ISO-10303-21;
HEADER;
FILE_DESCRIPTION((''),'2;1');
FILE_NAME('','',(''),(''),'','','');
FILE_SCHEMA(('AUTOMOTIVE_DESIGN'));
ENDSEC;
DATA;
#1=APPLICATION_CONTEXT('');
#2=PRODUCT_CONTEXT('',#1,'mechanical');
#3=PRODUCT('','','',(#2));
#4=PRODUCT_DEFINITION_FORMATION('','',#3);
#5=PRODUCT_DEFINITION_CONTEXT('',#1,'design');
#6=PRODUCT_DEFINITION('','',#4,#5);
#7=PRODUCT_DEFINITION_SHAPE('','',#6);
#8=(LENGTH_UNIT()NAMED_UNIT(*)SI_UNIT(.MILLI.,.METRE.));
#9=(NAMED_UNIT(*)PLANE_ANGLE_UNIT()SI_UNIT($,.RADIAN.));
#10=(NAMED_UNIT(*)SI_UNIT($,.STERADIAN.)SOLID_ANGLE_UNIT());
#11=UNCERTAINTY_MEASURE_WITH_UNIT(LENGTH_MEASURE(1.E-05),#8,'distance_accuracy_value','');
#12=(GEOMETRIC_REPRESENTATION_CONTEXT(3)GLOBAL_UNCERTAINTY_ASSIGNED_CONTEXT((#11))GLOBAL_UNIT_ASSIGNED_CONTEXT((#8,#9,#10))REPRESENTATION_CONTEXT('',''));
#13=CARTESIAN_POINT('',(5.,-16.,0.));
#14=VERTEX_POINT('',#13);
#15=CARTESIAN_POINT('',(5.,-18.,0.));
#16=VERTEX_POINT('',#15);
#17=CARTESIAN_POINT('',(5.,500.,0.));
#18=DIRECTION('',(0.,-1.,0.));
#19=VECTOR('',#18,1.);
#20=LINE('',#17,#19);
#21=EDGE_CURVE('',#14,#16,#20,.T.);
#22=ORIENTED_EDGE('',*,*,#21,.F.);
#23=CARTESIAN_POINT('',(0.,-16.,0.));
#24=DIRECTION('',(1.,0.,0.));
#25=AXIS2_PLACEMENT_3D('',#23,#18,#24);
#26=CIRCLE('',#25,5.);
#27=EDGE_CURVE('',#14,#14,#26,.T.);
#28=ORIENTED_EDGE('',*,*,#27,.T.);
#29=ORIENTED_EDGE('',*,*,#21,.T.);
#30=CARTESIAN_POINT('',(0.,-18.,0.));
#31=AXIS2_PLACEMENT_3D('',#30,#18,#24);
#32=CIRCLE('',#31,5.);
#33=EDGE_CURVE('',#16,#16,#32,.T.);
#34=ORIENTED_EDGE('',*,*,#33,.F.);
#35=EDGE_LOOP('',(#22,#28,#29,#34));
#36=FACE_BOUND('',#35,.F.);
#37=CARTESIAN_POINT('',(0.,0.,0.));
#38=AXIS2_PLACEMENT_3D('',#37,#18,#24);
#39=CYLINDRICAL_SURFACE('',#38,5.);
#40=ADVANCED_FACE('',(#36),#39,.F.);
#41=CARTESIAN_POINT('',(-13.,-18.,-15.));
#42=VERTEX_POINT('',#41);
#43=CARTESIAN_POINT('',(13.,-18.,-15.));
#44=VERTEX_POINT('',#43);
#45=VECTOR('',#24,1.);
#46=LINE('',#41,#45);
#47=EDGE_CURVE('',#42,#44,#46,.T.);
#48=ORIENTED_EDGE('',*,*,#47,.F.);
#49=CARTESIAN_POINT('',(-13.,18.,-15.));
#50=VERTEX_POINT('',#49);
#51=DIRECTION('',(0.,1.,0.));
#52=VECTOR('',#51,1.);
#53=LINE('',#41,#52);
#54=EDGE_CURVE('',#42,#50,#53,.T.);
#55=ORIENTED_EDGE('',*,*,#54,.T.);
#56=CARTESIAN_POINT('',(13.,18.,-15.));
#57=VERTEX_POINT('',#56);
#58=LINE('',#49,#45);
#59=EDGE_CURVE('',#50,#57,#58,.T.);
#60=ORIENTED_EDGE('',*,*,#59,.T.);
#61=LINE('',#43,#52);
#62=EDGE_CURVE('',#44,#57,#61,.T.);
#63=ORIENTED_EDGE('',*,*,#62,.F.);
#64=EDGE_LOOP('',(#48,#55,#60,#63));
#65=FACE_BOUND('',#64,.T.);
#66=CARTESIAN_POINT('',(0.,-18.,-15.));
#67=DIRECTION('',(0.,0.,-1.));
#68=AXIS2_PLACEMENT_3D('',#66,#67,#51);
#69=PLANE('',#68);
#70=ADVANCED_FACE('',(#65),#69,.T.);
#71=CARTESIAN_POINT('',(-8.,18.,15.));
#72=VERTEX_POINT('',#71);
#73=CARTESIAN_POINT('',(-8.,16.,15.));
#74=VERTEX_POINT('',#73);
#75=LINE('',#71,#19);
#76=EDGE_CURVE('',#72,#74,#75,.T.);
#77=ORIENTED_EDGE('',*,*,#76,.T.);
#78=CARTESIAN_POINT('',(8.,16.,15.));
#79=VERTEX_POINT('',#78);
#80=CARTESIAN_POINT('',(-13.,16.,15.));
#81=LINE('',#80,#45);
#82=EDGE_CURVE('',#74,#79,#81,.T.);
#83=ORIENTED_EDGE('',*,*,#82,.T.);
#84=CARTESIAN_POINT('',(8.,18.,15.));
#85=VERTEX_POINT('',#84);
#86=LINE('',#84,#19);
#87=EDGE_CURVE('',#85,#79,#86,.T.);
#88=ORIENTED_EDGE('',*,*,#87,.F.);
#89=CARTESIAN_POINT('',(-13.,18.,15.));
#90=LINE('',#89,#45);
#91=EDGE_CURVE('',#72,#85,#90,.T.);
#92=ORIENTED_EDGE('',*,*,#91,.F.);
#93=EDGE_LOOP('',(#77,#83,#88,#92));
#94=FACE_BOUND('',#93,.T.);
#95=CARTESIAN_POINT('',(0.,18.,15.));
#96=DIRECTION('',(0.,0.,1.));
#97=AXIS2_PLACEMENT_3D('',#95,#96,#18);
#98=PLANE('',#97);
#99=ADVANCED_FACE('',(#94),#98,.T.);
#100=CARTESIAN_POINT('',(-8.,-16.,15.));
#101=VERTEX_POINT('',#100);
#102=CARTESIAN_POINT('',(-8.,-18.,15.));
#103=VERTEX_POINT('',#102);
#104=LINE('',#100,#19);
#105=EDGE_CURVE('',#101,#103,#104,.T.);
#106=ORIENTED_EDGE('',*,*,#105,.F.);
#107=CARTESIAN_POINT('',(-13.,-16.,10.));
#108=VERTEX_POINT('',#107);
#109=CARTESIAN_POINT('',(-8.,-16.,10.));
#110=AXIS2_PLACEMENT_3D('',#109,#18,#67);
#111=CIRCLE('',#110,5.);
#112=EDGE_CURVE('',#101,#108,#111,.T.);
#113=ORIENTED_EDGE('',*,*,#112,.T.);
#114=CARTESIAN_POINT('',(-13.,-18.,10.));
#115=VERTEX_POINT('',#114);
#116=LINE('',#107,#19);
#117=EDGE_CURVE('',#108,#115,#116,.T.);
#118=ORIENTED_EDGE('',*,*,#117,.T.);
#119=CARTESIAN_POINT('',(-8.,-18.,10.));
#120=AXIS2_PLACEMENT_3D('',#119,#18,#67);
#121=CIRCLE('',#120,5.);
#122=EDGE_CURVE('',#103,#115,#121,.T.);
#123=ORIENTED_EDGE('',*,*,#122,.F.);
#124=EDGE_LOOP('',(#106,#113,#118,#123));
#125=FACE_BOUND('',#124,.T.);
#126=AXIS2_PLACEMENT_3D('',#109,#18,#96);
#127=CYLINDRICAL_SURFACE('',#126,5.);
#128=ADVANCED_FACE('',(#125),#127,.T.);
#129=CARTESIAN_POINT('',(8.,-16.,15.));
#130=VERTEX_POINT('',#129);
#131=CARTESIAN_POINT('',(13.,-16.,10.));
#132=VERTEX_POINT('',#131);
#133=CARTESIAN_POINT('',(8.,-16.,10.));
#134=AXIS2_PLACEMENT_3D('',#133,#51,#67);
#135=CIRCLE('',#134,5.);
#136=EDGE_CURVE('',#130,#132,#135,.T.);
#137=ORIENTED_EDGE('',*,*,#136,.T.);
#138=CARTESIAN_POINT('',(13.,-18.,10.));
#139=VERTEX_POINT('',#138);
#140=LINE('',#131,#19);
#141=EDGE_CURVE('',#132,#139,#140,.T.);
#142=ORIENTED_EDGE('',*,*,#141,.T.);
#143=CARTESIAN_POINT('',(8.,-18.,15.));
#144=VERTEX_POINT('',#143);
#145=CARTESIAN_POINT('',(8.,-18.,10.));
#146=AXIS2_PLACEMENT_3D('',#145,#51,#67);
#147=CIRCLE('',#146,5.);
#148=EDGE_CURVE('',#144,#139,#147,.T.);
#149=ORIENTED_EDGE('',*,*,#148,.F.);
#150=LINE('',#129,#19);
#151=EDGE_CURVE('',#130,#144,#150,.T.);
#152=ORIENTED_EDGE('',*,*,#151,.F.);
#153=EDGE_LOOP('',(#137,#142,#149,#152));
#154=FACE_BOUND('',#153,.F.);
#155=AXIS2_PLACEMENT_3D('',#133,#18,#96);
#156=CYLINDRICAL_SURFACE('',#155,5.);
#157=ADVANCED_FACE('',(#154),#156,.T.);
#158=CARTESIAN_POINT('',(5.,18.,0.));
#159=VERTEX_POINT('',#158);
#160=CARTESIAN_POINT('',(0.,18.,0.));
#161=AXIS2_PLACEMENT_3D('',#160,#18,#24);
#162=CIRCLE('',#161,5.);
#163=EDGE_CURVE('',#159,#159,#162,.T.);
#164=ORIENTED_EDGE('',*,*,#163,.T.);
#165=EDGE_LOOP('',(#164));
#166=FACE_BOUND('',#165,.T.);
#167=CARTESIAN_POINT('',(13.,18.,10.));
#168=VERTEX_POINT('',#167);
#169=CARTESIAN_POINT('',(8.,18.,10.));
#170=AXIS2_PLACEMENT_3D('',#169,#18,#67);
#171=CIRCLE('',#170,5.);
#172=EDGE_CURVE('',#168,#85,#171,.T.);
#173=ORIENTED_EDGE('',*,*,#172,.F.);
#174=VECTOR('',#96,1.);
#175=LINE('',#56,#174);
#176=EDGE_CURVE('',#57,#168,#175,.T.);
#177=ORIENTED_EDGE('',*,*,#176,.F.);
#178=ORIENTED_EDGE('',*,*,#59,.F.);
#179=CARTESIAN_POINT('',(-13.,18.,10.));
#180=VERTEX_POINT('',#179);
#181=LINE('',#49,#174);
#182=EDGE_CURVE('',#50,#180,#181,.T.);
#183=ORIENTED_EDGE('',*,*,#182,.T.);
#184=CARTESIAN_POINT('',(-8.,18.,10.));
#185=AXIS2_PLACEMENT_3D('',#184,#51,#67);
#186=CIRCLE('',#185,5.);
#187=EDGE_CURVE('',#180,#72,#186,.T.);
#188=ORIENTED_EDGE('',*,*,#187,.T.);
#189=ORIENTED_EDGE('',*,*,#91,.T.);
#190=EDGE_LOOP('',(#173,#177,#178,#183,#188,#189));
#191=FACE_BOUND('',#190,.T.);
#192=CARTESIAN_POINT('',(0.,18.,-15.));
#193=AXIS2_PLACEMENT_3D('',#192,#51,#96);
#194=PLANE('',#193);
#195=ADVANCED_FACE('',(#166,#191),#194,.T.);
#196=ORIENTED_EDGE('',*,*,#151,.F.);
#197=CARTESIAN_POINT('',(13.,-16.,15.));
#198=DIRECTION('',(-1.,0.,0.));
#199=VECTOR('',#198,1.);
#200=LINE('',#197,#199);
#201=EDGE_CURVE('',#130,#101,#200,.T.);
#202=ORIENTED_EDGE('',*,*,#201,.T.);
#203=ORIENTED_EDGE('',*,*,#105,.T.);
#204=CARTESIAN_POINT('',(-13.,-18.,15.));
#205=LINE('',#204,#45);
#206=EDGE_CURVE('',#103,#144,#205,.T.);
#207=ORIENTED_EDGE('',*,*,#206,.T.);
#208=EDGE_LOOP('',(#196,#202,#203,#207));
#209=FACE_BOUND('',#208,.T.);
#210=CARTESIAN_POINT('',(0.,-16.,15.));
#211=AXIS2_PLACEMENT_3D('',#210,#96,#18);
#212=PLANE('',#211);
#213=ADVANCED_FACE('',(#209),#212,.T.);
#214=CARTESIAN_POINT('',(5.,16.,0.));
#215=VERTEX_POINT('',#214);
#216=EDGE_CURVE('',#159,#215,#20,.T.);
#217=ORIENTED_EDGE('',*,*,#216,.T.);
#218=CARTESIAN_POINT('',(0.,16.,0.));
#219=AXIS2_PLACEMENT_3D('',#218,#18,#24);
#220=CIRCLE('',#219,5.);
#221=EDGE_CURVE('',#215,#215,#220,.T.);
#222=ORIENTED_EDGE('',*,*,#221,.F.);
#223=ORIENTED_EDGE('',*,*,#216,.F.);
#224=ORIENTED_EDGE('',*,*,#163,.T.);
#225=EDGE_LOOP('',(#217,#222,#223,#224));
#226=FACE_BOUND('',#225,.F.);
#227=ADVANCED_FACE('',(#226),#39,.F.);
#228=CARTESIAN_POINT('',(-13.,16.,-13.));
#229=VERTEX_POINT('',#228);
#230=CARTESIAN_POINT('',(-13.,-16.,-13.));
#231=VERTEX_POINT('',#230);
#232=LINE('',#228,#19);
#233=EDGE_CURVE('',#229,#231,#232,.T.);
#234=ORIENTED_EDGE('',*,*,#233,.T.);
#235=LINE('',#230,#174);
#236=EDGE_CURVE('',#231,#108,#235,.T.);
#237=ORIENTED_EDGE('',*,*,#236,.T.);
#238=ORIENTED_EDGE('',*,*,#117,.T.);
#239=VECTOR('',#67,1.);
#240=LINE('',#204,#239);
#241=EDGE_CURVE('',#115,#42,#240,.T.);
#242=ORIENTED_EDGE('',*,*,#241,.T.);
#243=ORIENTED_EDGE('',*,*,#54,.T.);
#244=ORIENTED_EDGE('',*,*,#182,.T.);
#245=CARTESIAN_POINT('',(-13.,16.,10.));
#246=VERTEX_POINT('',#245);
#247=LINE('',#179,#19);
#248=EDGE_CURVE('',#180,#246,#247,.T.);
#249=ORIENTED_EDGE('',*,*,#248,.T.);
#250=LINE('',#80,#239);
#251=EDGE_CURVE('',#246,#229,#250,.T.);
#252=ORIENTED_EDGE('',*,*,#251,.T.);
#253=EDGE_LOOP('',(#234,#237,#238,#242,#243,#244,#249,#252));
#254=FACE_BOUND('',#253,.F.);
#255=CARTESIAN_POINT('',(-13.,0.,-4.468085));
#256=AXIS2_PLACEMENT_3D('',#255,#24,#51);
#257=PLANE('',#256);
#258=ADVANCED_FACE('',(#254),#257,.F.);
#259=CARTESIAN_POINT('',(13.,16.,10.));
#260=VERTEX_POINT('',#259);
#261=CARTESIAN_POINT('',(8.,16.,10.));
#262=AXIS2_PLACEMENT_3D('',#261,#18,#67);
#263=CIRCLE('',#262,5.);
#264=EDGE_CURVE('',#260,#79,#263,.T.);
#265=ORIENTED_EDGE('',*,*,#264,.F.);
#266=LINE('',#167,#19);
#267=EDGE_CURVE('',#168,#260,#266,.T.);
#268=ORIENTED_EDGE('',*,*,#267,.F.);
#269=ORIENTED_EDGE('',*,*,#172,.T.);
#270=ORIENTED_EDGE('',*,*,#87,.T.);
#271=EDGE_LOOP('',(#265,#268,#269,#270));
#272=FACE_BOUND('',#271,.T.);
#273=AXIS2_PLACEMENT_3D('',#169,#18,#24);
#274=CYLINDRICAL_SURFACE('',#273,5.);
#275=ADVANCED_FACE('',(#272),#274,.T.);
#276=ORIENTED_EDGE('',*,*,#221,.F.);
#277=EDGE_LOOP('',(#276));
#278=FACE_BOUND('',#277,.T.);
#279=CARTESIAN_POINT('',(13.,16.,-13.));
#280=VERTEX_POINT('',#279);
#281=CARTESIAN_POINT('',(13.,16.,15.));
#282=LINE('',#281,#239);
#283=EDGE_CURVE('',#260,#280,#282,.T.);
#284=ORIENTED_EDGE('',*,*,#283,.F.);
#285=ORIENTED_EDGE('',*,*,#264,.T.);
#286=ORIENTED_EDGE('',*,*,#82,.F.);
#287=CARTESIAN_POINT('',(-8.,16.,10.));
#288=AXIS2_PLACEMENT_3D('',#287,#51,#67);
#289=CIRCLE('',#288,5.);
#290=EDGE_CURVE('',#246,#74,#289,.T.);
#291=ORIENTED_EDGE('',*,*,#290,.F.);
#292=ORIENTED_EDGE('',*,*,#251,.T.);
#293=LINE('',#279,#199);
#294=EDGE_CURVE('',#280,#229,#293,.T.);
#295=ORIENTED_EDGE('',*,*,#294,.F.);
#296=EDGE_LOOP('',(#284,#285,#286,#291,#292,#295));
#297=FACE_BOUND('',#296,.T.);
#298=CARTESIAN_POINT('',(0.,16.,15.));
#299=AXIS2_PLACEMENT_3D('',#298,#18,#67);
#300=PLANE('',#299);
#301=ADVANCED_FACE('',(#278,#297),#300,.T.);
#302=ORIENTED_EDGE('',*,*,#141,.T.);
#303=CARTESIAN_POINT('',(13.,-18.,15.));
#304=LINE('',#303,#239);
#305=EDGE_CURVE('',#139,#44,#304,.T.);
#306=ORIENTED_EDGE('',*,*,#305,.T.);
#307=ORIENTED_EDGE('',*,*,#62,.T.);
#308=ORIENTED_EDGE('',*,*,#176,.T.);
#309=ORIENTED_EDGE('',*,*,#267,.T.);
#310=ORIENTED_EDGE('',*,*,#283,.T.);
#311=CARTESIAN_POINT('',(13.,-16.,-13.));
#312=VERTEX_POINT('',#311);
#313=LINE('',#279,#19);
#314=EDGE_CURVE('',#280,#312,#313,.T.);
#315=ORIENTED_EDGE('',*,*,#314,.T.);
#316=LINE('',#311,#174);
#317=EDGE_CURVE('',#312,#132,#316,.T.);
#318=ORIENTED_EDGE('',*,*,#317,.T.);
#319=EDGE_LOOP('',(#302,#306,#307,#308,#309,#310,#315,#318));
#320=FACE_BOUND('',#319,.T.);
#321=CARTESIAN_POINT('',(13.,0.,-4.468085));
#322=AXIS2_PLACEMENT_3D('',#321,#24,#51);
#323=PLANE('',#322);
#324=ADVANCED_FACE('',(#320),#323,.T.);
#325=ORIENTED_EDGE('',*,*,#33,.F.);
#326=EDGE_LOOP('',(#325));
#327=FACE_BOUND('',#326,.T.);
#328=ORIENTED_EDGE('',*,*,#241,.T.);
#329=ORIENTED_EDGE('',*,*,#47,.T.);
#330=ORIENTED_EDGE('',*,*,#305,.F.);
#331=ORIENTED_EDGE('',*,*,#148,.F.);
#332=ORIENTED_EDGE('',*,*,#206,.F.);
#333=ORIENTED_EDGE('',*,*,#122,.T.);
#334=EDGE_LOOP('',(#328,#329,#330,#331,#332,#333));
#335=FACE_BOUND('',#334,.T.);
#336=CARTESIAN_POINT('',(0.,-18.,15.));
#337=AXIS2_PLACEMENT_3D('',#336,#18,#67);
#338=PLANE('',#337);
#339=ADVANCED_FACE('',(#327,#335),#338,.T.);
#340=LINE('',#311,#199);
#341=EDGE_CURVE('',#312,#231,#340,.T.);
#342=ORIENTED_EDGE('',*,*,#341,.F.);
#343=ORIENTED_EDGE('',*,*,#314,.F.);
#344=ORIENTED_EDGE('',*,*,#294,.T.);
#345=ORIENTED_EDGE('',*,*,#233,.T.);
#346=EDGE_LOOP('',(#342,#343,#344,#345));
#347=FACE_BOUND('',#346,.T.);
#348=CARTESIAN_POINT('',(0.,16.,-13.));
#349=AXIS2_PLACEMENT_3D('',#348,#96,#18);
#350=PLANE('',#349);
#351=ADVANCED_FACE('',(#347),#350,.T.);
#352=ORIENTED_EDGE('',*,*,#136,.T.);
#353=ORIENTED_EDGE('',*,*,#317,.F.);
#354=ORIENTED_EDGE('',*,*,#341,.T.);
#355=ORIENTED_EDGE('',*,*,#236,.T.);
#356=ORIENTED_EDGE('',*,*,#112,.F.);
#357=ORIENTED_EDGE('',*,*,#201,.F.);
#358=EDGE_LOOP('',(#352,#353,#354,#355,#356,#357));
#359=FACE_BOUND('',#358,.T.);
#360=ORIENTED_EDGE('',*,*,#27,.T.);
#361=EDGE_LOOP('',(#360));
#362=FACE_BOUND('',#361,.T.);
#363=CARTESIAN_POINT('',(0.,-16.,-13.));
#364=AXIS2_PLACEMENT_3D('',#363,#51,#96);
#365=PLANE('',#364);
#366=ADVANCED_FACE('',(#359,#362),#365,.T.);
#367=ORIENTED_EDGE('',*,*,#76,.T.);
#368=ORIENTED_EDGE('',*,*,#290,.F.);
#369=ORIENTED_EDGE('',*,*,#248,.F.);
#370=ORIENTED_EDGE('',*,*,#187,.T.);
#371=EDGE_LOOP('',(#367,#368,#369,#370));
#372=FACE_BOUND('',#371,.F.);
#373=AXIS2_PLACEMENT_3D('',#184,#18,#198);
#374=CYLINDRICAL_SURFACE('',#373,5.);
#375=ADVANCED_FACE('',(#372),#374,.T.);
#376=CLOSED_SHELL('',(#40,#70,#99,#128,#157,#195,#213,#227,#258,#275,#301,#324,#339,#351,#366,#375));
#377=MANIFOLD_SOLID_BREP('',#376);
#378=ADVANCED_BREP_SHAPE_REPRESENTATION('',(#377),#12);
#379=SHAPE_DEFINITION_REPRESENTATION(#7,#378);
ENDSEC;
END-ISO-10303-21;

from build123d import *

# Parameters (mm, degrees)
F1_DEPTH = 13
F2_R     = 5
F3_DEPTH = 500
F4_R     = 5


with BuildPart() as f1:
    # F0 (on Right) → F1 (new body, symmetric)
    with BuildSketch(Plane.YZ):
        Polygon((-16, 15), (-18, 15), (-18, -15), (18, -15), (18, 15), (16, 15), (16, -13), (-16, -13), align=None)
    extrude(amount=F1_DEPTH, both=True)

    # F2 (on Front) → F3 (cut, symmetric)
    with BuildSketch(Plane.XZ):
        Circle(F2_R)
    extrude(amount=F3_DEPTH, both=True, mode=Mode.SUBTRACT)

    # F4
    f4_edges = [f1.edges().sort_by_distance(p)[0] for p in [
        (13, 17, 15),
        (-13, 17, 15),
        (-13, -17, 15),
        (13, -17, 15),
    ]]
    fillet(f4_edges, radius=F4_R)


solid = f1.part
